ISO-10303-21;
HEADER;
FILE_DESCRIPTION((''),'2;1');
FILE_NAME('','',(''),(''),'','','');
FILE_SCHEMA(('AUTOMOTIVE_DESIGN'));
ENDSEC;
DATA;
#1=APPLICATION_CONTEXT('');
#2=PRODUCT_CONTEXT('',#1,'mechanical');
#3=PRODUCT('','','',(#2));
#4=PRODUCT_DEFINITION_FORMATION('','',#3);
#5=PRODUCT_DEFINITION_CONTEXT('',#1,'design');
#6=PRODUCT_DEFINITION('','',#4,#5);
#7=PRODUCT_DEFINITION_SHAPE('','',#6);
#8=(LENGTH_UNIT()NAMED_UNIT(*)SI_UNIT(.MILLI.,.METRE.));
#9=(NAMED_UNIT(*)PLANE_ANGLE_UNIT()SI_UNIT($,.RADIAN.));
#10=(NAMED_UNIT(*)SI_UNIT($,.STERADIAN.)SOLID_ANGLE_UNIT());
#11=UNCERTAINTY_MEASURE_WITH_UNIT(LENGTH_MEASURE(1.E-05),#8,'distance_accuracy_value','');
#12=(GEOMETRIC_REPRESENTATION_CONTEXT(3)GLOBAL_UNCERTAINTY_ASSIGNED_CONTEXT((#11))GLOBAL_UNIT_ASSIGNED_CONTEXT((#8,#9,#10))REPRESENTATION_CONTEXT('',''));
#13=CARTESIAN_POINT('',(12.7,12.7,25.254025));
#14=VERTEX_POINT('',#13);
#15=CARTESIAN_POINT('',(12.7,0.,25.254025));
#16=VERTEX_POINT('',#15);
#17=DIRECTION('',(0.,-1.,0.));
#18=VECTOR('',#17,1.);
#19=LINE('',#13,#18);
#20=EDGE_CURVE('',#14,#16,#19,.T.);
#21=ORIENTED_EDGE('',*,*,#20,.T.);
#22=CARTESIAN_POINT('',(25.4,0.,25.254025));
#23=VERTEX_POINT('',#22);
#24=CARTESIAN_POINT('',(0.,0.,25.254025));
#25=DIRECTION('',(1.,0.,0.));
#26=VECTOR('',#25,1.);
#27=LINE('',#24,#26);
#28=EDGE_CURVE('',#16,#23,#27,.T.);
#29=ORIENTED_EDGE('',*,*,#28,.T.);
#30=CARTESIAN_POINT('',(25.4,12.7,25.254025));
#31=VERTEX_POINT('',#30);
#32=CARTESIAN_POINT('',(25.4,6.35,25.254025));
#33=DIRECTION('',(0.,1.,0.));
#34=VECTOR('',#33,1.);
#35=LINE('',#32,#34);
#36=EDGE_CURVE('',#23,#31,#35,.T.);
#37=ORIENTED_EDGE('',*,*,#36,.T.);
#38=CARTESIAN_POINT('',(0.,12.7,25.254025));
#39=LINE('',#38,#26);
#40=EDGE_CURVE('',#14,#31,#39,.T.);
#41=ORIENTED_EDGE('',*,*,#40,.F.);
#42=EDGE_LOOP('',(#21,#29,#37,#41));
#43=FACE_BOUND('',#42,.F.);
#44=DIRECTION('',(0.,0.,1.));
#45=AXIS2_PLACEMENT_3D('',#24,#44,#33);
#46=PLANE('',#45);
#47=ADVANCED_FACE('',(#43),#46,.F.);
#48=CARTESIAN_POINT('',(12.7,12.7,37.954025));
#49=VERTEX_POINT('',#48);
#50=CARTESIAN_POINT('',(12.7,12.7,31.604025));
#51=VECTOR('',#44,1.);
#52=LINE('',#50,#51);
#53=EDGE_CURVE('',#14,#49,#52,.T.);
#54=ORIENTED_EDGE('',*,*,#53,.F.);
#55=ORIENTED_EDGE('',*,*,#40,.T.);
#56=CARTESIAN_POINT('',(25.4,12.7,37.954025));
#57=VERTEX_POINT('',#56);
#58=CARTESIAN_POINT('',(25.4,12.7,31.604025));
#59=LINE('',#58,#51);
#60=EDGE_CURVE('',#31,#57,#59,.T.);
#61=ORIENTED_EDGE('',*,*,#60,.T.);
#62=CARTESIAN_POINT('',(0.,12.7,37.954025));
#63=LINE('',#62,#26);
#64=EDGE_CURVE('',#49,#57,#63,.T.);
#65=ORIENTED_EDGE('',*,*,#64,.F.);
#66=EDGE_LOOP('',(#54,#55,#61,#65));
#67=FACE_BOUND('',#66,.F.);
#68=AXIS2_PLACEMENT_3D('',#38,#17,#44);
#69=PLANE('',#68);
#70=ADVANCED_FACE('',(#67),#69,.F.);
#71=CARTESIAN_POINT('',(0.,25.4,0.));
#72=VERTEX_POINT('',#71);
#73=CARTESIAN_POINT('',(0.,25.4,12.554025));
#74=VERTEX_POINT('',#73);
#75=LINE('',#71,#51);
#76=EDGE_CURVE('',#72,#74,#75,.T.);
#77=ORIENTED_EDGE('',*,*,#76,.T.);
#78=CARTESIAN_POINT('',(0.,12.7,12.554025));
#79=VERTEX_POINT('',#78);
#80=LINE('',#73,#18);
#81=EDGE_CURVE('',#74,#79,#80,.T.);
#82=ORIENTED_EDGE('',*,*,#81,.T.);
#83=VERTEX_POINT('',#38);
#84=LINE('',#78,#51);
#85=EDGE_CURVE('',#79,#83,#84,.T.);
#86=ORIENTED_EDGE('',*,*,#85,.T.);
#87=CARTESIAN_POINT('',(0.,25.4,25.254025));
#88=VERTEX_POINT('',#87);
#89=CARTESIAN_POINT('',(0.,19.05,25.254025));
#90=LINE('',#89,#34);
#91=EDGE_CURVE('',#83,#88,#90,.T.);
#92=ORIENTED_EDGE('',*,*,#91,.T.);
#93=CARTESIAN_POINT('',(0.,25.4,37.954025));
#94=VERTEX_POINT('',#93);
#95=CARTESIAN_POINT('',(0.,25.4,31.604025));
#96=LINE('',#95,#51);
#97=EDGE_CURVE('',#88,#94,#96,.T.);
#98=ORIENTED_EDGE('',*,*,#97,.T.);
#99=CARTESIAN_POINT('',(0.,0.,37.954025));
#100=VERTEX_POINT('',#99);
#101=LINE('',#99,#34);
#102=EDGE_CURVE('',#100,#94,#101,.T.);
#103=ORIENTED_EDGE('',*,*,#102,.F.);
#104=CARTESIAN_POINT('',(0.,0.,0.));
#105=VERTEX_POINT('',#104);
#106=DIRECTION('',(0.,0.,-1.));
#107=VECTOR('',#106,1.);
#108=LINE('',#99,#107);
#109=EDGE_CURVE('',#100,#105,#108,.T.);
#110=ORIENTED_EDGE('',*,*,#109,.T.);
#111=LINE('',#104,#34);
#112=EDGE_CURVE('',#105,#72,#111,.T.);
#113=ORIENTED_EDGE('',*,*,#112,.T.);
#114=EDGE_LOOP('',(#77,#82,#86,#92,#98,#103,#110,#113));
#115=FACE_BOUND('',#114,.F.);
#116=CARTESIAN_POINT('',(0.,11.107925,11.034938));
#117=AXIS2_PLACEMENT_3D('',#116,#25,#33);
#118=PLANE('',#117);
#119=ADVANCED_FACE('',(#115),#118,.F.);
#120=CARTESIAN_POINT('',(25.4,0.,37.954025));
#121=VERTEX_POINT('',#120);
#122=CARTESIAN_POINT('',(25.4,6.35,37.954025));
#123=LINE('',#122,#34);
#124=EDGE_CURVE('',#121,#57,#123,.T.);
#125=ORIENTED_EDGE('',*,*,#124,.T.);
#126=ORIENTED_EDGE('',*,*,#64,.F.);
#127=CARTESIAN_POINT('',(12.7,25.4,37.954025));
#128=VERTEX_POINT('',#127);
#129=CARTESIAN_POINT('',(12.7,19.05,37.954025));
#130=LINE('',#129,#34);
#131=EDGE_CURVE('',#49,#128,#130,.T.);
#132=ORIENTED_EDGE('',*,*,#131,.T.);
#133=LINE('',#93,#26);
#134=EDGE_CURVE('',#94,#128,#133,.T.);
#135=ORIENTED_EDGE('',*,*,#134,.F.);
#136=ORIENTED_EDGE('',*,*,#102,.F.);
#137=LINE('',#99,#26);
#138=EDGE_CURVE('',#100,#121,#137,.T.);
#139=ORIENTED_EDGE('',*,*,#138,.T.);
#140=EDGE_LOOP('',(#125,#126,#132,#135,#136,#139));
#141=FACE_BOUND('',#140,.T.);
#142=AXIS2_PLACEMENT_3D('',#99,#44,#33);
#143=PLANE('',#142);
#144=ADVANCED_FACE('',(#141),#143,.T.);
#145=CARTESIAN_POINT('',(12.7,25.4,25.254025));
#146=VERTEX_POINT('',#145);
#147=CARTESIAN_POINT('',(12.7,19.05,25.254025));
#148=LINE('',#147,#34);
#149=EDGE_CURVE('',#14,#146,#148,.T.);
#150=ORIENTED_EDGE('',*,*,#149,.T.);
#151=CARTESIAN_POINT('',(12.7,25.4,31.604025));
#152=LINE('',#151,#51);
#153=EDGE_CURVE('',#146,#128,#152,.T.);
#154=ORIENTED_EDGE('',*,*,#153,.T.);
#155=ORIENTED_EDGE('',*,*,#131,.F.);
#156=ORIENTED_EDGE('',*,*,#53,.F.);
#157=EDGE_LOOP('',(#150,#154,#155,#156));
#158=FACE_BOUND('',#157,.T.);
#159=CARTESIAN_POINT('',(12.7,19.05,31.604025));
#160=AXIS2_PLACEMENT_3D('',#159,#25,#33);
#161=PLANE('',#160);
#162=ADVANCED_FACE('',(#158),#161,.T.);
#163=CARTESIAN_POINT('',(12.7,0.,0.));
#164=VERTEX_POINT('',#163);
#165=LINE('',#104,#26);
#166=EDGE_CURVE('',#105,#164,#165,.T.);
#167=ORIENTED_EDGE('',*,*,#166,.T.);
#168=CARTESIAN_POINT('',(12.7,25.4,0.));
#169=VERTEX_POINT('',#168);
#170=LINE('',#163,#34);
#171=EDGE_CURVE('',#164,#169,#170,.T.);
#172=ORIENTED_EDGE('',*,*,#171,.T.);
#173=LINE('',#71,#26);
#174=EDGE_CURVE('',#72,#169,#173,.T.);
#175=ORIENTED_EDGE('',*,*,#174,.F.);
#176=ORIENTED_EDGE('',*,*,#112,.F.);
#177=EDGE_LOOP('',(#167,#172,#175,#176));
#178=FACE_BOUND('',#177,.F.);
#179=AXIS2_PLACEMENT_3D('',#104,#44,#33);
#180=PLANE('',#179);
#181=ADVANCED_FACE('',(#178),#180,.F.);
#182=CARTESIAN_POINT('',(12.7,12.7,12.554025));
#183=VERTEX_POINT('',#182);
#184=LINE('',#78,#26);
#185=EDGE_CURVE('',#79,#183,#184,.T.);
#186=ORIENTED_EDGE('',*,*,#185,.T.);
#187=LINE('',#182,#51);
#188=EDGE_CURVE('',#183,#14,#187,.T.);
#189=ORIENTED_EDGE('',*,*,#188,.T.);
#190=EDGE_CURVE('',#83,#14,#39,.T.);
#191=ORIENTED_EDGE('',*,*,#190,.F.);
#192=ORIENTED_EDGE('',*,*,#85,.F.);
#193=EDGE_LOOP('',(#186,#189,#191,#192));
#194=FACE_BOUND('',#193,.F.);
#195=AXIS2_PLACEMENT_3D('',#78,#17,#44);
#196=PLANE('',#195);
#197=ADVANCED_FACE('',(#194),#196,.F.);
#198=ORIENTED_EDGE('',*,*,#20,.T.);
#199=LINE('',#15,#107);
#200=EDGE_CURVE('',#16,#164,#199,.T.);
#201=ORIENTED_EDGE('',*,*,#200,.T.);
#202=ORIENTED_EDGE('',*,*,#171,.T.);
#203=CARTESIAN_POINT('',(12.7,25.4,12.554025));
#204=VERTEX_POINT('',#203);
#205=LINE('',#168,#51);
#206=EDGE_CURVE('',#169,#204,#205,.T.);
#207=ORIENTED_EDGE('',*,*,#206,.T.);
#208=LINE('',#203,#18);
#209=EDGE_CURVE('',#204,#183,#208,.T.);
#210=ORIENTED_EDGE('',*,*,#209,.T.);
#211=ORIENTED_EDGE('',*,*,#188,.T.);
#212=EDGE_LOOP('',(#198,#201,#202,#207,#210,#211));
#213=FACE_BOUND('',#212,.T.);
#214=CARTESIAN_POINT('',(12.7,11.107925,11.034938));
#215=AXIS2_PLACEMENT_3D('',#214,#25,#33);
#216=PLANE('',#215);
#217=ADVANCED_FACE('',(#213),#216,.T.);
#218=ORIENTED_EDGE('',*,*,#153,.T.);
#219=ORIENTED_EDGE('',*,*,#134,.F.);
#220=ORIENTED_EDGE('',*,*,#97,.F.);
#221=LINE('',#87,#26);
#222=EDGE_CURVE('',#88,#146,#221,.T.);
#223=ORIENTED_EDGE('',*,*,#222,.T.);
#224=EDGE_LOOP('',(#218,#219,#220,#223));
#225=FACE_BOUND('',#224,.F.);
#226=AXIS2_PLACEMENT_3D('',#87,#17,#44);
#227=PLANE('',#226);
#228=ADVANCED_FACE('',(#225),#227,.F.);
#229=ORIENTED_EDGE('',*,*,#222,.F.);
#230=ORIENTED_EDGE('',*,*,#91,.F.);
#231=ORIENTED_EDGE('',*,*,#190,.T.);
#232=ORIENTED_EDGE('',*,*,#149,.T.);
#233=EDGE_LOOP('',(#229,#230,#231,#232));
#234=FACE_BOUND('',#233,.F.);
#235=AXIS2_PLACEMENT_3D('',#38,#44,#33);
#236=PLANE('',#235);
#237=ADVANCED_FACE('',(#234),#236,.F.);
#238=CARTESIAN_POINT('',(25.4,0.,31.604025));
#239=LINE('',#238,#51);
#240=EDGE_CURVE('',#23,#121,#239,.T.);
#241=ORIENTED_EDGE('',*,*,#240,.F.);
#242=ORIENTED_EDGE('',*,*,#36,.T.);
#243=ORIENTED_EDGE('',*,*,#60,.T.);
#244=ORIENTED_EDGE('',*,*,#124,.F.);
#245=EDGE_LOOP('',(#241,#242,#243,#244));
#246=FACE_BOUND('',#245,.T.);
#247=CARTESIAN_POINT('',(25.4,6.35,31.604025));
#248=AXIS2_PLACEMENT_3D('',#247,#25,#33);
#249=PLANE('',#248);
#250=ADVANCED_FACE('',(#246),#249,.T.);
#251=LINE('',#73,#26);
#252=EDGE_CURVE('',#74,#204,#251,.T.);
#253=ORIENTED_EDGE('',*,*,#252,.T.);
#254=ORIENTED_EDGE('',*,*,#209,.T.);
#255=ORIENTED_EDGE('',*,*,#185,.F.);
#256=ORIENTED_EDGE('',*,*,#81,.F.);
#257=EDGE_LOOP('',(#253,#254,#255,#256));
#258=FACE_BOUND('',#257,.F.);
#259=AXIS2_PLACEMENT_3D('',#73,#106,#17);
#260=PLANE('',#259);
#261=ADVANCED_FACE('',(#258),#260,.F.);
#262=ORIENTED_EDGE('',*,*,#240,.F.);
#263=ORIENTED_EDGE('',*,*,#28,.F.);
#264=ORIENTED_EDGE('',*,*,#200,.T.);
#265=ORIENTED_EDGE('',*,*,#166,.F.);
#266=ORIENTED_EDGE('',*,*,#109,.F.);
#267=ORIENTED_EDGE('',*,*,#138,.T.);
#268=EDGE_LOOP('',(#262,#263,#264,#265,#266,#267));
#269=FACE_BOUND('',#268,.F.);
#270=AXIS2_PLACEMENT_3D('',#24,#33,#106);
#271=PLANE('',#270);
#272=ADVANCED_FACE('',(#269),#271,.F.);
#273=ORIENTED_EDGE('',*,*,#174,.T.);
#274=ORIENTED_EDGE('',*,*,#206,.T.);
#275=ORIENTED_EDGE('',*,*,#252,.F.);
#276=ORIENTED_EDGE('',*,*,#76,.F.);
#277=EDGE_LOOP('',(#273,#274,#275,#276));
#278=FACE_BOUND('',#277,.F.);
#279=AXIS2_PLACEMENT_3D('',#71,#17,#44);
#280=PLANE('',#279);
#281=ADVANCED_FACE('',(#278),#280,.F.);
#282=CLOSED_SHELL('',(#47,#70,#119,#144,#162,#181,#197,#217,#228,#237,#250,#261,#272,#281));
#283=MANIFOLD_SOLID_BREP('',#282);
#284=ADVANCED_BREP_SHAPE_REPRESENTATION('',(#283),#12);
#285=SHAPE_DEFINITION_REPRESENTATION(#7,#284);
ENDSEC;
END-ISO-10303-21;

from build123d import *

# Parameters (mm, degrees)
F0_W     = 12.7
F0_H     = 12.7
F1_DEPTH = 25.4
F2_DEPTH = 12.7


with BuildPart() as f1:
    # F0 (on Right) → F1 (new body)
    with BuildSketch(Plane.YZ):
        with Locations((6.35, 31.6040249003)):
            Rectangle(F0_W, F0_H)
    extrude(amount=F1_DEPTH)

    # F0 (on Right) → F2 (join)
    with BuildSketch(Plane.YZ):
        Polygon((0, 25.2540249003), (0, 0), (25.4, 0), (25.4, 12.5540249003), (12.7, 12.5540249003), (12.7, 25.2540249003), align=None)
        with Locations((19.05, 31.6040249003)):
            Rectangle(F0_W, F0_H)
    extrude(amount=F2_DEPTH)


solid = f1.part
